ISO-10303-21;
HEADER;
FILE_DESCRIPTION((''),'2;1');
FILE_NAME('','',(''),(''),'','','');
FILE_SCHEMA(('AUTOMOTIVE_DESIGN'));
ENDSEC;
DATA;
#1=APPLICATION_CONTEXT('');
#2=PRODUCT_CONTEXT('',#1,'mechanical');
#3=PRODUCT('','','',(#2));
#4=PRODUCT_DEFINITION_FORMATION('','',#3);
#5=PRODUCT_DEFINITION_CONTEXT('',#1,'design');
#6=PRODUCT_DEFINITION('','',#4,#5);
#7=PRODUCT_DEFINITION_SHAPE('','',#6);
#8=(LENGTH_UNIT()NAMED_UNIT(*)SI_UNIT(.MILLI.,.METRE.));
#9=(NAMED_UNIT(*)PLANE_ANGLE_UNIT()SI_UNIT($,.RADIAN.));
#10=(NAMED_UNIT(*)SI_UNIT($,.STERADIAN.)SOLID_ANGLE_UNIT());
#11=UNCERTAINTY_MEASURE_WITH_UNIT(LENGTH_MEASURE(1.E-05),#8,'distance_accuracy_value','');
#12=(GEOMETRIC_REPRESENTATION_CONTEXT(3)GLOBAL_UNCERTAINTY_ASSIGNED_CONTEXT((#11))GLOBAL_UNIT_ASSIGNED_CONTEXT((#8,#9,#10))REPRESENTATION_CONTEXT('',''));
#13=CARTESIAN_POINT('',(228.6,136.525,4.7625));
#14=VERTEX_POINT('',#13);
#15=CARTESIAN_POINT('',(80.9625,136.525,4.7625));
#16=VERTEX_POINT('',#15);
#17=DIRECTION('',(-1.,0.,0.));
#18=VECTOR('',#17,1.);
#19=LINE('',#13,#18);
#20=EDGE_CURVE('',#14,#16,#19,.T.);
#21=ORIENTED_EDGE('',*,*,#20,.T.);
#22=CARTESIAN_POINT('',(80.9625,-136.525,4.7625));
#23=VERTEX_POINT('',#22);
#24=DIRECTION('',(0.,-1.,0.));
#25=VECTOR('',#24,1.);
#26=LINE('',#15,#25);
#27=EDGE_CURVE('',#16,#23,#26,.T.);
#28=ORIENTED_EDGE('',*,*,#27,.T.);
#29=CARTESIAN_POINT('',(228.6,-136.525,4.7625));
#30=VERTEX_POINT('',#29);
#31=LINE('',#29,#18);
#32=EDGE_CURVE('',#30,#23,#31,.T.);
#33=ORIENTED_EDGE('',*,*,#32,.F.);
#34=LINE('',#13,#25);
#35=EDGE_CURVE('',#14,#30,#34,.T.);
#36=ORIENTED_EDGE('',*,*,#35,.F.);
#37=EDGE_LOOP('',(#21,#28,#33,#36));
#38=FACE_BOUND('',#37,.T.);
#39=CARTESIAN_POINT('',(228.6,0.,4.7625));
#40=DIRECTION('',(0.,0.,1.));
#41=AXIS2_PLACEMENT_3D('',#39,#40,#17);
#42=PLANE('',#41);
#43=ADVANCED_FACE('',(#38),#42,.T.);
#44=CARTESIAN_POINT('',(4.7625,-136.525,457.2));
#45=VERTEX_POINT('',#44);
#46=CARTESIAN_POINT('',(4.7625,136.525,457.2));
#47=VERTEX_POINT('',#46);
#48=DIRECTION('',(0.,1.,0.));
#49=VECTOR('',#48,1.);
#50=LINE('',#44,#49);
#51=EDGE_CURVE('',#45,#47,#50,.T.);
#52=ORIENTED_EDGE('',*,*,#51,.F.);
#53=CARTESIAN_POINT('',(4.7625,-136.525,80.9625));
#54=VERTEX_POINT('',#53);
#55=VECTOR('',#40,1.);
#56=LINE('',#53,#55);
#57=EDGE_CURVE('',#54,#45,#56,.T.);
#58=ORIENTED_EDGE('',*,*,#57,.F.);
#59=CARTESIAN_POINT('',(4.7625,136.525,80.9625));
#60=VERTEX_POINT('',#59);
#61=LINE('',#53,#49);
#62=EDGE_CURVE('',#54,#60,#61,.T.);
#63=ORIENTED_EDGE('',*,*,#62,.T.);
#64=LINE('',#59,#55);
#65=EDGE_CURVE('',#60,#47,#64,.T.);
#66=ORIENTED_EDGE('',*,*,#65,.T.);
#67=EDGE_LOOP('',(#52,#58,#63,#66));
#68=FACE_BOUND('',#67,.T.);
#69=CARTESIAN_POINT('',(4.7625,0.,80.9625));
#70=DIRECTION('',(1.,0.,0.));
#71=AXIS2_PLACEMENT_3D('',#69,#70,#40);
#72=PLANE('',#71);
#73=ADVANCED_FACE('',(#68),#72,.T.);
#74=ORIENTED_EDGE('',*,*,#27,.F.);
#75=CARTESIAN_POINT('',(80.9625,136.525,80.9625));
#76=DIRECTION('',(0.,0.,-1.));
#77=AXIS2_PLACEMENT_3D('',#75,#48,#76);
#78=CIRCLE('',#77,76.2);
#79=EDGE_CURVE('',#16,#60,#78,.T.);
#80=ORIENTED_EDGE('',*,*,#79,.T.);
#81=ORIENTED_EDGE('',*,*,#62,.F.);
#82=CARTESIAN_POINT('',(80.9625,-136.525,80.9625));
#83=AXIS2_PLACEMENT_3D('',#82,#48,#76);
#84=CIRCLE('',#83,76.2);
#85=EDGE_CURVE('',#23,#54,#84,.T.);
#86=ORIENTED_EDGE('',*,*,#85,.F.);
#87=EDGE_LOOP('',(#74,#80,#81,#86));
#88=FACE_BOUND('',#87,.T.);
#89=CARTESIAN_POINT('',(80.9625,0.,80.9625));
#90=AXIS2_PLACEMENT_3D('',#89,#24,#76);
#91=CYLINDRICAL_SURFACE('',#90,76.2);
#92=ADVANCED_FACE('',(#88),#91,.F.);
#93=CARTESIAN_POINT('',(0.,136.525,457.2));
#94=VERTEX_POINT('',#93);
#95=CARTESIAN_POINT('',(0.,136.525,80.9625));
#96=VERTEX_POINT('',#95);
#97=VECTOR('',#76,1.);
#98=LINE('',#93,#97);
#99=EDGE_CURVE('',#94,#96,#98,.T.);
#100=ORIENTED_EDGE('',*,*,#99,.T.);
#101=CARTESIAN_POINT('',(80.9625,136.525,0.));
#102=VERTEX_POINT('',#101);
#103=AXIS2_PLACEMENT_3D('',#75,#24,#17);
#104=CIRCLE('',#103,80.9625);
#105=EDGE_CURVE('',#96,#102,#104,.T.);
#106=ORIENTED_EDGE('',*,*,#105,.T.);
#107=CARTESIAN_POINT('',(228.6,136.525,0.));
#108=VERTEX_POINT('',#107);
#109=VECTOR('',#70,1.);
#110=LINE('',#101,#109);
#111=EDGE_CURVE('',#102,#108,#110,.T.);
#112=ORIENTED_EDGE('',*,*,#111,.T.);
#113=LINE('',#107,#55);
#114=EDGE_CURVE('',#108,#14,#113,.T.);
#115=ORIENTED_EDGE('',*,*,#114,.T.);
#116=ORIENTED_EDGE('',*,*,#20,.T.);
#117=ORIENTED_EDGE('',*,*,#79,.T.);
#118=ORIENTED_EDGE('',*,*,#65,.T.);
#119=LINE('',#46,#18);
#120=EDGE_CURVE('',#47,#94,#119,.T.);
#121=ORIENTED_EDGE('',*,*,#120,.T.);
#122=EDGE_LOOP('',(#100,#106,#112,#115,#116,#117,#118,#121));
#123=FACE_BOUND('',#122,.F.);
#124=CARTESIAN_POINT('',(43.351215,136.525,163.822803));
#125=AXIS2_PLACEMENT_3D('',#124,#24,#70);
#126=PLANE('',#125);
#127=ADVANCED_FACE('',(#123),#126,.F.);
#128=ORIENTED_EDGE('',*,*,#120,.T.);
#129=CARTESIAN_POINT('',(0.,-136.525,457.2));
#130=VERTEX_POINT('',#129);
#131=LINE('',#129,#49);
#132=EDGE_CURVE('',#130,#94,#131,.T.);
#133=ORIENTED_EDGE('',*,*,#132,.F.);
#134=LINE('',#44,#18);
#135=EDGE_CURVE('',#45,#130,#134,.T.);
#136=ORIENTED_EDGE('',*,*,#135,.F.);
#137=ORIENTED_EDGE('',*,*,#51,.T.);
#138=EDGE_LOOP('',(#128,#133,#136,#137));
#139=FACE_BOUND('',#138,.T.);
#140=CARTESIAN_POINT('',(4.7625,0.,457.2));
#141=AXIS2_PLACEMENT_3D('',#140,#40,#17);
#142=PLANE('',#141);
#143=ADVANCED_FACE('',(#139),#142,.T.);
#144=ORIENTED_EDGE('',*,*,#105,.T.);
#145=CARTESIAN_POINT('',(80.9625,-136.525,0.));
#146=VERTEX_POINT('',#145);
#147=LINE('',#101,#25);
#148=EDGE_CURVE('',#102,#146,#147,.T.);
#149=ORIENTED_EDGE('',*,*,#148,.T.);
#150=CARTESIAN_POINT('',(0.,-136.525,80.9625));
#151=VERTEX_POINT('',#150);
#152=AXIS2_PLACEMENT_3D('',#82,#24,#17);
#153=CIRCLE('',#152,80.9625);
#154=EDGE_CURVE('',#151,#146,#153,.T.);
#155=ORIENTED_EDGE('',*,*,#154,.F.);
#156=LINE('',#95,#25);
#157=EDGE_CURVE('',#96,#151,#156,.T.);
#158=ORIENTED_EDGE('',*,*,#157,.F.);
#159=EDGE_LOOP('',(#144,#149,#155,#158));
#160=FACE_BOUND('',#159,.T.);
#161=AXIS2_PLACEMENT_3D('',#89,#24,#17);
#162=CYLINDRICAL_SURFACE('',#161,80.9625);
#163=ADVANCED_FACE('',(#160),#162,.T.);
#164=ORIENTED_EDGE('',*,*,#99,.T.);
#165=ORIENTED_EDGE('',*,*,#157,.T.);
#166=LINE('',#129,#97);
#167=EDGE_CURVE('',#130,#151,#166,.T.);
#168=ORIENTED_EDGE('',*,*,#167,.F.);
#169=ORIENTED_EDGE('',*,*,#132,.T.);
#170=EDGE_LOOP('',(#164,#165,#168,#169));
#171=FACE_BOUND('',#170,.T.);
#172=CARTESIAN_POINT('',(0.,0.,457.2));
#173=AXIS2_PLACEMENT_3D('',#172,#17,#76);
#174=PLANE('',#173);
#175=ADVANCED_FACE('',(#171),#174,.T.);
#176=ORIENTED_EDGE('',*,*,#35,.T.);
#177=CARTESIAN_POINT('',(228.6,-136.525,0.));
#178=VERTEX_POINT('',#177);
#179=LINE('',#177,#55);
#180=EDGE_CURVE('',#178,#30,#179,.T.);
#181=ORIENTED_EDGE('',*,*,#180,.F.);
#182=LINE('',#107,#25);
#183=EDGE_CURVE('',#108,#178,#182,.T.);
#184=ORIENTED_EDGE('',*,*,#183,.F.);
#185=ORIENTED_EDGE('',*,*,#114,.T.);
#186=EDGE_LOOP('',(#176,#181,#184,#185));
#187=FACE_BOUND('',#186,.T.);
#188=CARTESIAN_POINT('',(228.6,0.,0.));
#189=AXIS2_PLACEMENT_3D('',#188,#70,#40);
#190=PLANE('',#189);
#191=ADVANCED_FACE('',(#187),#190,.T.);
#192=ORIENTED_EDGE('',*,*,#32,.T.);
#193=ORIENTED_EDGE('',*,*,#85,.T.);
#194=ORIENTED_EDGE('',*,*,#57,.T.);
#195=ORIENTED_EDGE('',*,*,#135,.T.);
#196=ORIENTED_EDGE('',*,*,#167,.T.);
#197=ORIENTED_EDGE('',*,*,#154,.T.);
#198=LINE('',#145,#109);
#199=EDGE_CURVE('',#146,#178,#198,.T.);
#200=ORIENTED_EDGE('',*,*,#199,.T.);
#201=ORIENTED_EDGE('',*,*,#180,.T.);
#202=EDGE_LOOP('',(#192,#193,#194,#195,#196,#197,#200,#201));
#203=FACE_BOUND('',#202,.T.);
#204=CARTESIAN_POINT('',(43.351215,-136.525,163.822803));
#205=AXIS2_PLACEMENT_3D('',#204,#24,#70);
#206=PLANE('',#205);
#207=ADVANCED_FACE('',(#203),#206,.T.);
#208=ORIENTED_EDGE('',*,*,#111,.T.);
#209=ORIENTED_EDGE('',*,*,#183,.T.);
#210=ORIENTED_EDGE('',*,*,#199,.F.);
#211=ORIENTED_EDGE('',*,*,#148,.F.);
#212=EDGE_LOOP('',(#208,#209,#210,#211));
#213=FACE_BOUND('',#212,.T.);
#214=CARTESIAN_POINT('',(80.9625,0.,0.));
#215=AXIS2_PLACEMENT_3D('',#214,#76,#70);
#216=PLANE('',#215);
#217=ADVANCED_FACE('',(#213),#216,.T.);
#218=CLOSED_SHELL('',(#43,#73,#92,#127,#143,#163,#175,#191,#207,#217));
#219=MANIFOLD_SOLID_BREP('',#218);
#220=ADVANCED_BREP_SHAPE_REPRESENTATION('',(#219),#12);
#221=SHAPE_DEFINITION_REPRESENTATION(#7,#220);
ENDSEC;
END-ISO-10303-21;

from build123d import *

# Parameters (mm, degrees)
F1_DEPTH = 273.05
F2_SCALE = 0.5


with BuildPart() as f1:
    # F0 (on Front) → F1 (new body, symmetric)
    with BuildSketch(Plane.XZ):
        with BuildLine():
            Line((0, 914.4), (0, 161.925))
            ThreePointArc((0, 161.925), (47.4267344564, 47.4267344564), (161.925, 0))
            Line((161.925, 0), (457.2, 0))
            Line((457.2, 0), (457.2, 9.525))
            Line((457.2, 9.525), (161.925, 9.525))
            ThreePointArc((161.925, 9.525), (54.1619265472, 54.1619265472), (9.525, 161.925))
            Line((9.525, 161.925), (9.525, 914.4))
            Line((9.525, 914.4), (0, 914.4))
        make_face()
    extrude(amount=F1_DEPTH, both=True)


with BuildPart() as f1_1:
    # F2: moved
    add(f1.part.scale(F2_SCALE))


solid = f1_1.part
